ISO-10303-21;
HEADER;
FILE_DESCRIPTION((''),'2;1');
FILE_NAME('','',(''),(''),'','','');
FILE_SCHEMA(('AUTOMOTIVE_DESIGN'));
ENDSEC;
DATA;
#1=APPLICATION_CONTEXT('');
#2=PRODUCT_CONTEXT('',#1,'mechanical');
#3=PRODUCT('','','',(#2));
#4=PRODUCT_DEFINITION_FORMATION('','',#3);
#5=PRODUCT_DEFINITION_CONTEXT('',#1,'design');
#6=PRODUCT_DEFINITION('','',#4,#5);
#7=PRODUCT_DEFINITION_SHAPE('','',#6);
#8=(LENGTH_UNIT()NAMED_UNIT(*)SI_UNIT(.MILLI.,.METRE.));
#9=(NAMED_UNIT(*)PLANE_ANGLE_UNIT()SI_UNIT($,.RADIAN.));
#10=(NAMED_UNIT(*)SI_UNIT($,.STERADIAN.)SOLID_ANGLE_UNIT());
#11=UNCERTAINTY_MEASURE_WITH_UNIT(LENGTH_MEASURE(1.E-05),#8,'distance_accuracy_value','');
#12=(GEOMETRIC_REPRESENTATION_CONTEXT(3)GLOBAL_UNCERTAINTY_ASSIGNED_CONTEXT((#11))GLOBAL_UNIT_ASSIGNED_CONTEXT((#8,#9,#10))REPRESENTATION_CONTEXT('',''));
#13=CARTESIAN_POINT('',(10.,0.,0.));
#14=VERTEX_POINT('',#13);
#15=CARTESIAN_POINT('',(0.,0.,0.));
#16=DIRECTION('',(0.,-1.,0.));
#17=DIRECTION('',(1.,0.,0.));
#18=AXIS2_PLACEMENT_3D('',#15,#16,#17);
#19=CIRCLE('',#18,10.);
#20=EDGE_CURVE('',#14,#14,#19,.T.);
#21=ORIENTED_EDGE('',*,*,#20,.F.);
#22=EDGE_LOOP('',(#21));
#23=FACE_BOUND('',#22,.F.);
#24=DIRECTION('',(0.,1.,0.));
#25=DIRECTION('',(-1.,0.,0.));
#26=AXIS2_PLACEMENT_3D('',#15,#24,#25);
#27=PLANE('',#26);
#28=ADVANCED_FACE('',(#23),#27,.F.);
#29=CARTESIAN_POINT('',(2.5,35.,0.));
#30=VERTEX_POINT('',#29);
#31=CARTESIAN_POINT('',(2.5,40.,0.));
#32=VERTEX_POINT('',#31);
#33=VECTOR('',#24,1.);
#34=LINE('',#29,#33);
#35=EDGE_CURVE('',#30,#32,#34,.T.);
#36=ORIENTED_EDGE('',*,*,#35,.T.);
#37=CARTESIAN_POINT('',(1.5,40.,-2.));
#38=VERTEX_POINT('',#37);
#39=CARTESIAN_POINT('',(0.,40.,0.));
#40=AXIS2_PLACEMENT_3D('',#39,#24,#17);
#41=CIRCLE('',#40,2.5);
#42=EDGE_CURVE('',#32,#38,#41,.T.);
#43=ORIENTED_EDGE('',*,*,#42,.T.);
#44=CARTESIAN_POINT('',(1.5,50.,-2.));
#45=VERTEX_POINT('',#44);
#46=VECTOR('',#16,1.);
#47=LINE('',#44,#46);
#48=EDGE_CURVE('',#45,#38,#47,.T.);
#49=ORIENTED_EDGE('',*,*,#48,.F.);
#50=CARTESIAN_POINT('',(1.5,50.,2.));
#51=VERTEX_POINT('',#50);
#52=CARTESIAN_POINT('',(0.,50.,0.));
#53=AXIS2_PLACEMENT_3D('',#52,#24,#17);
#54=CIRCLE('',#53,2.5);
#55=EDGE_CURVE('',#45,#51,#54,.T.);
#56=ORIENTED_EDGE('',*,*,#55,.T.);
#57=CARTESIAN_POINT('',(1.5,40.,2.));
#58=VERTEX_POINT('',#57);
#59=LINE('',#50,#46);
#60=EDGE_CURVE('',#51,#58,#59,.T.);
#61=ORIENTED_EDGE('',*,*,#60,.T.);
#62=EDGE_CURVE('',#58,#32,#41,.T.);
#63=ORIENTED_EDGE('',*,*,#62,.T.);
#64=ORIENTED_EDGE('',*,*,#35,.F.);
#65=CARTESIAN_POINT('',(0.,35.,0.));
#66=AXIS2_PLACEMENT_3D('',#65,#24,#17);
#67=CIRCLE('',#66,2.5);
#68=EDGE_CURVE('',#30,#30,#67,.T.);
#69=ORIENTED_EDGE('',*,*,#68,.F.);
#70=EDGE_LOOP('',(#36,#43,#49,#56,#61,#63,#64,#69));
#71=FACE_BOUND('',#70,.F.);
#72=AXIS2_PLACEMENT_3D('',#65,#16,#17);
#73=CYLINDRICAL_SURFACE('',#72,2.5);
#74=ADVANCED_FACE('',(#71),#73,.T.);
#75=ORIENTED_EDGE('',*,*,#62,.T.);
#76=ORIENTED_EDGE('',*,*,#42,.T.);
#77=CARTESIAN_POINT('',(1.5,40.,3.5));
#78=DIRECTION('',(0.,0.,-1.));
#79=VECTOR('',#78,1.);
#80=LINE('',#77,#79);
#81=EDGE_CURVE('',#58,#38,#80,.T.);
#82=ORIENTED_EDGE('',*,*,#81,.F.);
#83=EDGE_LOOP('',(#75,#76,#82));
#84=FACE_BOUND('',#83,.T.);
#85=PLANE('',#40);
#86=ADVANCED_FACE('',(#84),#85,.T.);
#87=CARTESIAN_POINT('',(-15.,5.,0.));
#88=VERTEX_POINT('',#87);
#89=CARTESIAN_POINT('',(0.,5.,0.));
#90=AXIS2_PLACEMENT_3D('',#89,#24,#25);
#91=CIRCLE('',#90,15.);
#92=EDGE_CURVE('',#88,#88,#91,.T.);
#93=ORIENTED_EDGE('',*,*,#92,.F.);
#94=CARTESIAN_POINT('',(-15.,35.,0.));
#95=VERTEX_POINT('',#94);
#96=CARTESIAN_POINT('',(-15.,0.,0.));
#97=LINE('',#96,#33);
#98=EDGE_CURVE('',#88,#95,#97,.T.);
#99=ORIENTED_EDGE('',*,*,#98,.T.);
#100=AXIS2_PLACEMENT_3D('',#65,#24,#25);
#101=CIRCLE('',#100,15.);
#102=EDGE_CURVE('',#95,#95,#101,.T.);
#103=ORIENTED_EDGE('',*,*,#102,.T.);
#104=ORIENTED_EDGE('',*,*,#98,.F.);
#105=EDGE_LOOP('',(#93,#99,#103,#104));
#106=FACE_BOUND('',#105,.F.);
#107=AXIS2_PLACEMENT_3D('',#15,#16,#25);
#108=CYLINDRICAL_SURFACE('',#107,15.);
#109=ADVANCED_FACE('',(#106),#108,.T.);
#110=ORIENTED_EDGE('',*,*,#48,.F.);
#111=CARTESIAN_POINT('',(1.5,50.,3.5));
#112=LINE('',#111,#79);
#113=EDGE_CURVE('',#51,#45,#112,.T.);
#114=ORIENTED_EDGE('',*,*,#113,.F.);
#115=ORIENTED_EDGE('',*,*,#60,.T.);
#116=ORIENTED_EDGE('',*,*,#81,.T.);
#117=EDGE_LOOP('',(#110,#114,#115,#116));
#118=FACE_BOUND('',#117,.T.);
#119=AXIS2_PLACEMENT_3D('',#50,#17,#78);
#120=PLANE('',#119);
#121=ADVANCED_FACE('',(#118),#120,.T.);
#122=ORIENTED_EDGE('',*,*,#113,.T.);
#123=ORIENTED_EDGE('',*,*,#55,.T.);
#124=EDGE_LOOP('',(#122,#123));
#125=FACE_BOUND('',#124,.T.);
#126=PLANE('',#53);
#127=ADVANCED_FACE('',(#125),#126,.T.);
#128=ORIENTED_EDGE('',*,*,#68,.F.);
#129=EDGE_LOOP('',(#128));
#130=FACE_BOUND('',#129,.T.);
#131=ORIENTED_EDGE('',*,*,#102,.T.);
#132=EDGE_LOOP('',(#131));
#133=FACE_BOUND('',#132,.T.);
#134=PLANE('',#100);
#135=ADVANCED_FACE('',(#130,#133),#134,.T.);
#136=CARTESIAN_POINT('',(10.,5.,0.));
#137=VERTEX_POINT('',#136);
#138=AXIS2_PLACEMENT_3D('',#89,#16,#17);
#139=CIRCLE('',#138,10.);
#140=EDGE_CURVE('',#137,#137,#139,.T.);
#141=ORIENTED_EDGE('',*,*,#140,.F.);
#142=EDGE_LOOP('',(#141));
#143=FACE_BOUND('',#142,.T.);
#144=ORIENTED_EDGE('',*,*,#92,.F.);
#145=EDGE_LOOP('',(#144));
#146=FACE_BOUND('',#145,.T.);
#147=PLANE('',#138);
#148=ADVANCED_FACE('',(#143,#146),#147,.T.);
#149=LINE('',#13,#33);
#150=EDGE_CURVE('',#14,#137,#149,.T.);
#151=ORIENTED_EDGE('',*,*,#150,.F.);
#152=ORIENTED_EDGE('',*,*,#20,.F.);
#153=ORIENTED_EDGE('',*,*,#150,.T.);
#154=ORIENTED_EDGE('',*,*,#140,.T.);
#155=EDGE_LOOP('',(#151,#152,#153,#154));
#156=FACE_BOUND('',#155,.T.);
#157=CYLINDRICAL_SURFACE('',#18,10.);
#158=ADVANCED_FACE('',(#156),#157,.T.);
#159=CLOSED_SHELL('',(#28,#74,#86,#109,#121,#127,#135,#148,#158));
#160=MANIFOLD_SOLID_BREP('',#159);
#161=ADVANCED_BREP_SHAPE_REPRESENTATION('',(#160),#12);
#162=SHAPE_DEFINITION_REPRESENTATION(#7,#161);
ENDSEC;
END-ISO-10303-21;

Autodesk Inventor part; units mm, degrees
ref_plane "YZ Plane" through (0, 0, 0) normal (1, 0, 0) x (0, 1, 0)
ref_plane "XZ Plane" through (0, 0, 0) normal (0, 1, 0) x (-1, 0, 0)
ref_plane "XY Plane" through (0, 0, 0) normal (0, 0, 1) x (1, 0, 0)
sketch "Sketch1" plane through (0, 0, 0) normal (0, 1, 0) x (-1, 0, 0)
  circle A0 centre (0, 0) radius 15
  dimension "d0" = 30
extrude "Extrusion1" add sketch "Sketch1" along normal blind 35
sketch "Sketch2" plane through (0, 0, 0) normal (0, -1, 0) x (1, 0, 0)
  circle A0 centre (0, 0) radius 10
  circle A1 centre (0, 0) radius 15 projected
  dimension "d3" = 20
extrude "Extrusion2" cut sketch "Sketch2" against normal blind 5
sketch "Sketch3" plane through (0, 35, 0) normal (0, 1, 0) x (1, 0, 0)
  circle A0 centre (0, 0) radius 2.5
  dimension "d6" = 5
extrude "Extrusion3" add sketch "Sketch3" along normal blind 15
sketch "Sketch4" plane through (0, 50, 0) normal (0, 1, 0) x (1, 0, 0)
  circle A0 centre (0, 0) radius 2.5 projected
  line L0 (-1.5, -3.5) -> (1.5, -3.5)
  line L1 (1.5, -3.5) -> (1.5, 3.5)
  line L2 (1.5, 3.5) -> (-1.5, 3.5)
  line L3 (-1.5, 3.5) -> (-1.5, -3.5)
  circle A1 centre (0, 0) radius 2.5 projected
  line L4 (-1.5, -3.5) -> (1.5, 3.5) construction
  line L5 (1.5, -3.5) -> (-1.5, 3.5) construction
  point P0 (1.5, 2)
  point P1 (1.5, -2)
  dimension "d9" = 3
  dimension "d10" = 7
extrude "Extrusion4" cut sketch "Sketch4" against normal blind 10 contours A0 L1
properties part number "Motor"
